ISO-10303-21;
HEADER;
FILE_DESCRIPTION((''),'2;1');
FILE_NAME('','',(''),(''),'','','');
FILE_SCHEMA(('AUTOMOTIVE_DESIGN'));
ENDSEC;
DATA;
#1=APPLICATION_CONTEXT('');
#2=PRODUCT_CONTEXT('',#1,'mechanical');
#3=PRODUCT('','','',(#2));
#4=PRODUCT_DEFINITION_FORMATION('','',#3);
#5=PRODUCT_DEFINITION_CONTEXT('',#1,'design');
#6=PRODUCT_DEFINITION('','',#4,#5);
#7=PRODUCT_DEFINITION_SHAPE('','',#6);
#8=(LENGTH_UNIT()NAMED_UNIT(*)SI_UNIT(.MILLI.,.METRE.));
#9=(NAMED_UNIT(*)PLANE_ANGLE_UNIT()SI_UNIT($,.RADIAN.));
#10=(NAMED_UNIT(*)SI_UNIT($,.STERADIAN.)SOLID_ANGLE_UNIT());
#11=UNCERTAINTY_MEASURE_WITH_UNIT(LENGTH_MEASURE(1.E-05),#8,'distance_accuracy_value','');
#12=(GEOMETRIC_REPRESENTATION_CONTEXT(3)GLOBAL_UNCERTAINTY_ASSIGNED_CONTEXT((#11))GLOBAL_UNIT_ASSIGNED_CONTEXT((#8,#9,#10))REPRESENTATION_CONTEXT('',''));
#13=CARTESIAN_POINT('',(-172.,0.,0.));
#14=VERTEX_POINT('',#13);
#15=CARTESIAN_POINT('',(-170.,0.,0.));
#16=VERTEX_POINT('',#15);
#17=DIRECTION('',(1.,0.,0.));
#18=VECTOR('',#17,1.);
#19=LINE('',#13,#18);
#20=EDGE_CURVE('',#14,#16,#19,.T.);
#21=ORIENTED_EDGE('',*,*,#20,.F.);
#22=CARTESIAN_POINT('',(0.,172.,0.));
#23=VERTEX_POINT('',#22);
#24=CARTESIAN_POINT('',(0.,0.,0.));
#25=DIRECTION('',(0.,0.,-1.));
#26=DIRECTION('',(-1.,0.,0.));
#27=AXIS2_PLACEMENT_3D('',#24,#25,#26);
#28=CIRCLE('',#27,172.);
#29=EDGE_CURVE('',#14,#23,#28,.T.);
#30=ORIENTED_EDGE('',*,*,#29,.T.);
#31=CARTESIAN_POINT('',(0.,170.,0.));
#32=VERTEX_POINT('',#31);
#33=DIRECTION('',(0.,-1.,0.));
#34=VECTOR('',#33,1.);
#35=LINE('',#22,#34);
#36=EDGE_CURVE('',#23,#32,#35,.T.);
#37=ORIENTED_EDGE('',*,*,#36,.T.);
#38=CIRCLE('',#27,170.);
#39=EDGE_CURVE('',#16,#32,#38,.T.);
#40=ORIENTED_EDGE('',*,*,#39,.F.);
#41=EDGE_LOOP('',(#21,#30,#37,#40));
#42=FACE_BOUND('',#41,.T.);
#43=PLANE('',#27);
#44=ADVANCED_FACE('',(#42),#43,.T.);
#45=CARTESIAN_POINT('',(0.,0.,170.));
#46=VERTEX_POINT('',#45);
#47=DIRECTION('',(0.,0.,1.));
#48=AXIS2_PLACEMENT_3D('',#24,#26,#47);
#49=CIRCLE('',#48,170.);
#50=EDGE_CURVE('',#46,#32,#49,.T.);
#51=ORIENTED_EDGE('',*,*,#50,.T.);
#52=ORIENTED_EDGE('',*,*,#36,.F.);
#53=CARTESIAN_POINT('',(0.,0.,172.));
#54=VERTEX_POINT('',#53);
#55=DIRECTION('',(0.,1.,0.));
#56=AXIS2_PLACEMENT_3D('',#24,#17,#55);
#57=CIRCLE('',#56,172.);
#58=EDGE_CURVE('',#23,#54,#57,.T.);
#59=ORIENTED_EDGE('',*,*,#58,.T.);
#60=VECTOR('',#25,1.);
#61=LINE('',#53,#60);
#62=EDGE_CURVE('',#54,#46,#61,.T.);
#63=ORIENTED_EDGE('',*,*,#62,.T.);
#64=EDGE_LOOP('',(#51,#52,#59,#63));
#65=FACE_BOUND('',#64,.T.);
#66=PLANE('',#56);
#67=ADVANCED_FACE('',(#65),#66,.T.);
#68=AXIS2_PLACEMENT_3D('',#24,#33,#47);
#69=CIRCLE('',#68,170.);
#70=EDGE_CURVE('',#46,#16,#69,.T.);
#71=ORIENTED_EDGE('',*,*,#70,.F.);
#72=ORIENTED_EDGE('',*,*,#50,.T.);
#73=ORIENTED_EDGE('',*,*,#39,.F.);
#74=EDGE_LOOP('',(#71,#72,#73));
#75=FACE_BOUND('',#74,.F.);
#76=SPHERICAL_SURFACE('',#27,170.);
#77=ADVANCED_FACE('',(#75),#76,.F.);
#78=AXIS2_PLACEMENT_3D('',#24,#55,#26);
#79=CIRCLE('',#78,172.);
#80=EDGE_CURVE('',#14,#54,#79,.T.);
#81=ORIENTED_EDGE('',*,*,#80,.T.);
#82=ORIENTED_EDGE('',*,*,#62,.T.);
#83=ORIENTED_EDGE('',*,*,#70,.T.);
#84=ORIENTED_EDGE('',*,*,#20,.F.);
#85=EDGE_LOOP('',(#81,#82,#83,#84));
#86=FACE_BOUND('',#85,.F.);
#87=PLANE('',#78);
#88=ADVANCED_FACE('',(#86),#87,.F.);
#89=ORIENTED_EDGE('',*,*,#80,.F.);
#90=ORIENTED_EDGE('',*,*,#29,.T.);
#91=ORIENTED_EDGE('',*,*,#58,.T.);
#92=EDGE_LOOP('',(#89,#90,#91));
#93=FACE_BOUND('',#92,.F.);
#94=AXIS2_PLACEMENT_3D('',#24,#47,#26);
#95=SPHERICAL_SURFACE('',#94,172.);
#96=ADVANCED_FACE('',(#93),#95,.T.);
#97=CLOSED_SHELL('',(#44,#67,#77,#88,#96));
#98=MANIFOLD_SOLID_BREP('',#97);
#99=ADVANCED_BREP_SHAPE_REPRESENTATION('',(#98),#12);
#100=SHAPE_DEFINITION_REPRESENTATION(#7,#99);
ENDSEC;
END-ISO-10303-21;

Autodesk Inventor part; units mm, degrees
ref_plane "YZ Plane" through (0, 0, 0) normal (1, 0, 0) x (0, 1, 0)
ref_plane "XZ Plane" through (0, 0, 0) normal (0, 1, 0) x (-1, 0, 0)
ref_plane "XY Plane" through (0, 0, 0) normal (0, 0, 1) x (1, 0, 0)
sketch "Sketch1" plane through (0, 0, 0) normal (0, 1, 0) x (-1, 0, 0)
  arc A0 (172, 0) -> (0, 172) centre (0, 0) ccw
  line L0 (0, 172) -> (0, 0)
  line L1 (172, 0) -> (0, 0)
revolve "Revolution1" add sketch "Sketch1" angle 90 about axis through (0, 0, 172) along (0, 0, -1)
sketch "Sketch2" plane through (-172, 0, 0) normal (0, -1, 0) x (1, 0, 0)
  arc A0 (172, 170) -> (2, 0) centre (172, 0) ccw
  line L0 (172, 0) -> (172, 172) projected
  line L1 (172, 0) -> (2, 0)
  line L2 (172, 0) -> (172, 170)
revolve "Revolution2" cut sketch "Sketch2" angle 90 about axis through (0, 0, 0) along (0, 0, -1)
properties part number "shell"
